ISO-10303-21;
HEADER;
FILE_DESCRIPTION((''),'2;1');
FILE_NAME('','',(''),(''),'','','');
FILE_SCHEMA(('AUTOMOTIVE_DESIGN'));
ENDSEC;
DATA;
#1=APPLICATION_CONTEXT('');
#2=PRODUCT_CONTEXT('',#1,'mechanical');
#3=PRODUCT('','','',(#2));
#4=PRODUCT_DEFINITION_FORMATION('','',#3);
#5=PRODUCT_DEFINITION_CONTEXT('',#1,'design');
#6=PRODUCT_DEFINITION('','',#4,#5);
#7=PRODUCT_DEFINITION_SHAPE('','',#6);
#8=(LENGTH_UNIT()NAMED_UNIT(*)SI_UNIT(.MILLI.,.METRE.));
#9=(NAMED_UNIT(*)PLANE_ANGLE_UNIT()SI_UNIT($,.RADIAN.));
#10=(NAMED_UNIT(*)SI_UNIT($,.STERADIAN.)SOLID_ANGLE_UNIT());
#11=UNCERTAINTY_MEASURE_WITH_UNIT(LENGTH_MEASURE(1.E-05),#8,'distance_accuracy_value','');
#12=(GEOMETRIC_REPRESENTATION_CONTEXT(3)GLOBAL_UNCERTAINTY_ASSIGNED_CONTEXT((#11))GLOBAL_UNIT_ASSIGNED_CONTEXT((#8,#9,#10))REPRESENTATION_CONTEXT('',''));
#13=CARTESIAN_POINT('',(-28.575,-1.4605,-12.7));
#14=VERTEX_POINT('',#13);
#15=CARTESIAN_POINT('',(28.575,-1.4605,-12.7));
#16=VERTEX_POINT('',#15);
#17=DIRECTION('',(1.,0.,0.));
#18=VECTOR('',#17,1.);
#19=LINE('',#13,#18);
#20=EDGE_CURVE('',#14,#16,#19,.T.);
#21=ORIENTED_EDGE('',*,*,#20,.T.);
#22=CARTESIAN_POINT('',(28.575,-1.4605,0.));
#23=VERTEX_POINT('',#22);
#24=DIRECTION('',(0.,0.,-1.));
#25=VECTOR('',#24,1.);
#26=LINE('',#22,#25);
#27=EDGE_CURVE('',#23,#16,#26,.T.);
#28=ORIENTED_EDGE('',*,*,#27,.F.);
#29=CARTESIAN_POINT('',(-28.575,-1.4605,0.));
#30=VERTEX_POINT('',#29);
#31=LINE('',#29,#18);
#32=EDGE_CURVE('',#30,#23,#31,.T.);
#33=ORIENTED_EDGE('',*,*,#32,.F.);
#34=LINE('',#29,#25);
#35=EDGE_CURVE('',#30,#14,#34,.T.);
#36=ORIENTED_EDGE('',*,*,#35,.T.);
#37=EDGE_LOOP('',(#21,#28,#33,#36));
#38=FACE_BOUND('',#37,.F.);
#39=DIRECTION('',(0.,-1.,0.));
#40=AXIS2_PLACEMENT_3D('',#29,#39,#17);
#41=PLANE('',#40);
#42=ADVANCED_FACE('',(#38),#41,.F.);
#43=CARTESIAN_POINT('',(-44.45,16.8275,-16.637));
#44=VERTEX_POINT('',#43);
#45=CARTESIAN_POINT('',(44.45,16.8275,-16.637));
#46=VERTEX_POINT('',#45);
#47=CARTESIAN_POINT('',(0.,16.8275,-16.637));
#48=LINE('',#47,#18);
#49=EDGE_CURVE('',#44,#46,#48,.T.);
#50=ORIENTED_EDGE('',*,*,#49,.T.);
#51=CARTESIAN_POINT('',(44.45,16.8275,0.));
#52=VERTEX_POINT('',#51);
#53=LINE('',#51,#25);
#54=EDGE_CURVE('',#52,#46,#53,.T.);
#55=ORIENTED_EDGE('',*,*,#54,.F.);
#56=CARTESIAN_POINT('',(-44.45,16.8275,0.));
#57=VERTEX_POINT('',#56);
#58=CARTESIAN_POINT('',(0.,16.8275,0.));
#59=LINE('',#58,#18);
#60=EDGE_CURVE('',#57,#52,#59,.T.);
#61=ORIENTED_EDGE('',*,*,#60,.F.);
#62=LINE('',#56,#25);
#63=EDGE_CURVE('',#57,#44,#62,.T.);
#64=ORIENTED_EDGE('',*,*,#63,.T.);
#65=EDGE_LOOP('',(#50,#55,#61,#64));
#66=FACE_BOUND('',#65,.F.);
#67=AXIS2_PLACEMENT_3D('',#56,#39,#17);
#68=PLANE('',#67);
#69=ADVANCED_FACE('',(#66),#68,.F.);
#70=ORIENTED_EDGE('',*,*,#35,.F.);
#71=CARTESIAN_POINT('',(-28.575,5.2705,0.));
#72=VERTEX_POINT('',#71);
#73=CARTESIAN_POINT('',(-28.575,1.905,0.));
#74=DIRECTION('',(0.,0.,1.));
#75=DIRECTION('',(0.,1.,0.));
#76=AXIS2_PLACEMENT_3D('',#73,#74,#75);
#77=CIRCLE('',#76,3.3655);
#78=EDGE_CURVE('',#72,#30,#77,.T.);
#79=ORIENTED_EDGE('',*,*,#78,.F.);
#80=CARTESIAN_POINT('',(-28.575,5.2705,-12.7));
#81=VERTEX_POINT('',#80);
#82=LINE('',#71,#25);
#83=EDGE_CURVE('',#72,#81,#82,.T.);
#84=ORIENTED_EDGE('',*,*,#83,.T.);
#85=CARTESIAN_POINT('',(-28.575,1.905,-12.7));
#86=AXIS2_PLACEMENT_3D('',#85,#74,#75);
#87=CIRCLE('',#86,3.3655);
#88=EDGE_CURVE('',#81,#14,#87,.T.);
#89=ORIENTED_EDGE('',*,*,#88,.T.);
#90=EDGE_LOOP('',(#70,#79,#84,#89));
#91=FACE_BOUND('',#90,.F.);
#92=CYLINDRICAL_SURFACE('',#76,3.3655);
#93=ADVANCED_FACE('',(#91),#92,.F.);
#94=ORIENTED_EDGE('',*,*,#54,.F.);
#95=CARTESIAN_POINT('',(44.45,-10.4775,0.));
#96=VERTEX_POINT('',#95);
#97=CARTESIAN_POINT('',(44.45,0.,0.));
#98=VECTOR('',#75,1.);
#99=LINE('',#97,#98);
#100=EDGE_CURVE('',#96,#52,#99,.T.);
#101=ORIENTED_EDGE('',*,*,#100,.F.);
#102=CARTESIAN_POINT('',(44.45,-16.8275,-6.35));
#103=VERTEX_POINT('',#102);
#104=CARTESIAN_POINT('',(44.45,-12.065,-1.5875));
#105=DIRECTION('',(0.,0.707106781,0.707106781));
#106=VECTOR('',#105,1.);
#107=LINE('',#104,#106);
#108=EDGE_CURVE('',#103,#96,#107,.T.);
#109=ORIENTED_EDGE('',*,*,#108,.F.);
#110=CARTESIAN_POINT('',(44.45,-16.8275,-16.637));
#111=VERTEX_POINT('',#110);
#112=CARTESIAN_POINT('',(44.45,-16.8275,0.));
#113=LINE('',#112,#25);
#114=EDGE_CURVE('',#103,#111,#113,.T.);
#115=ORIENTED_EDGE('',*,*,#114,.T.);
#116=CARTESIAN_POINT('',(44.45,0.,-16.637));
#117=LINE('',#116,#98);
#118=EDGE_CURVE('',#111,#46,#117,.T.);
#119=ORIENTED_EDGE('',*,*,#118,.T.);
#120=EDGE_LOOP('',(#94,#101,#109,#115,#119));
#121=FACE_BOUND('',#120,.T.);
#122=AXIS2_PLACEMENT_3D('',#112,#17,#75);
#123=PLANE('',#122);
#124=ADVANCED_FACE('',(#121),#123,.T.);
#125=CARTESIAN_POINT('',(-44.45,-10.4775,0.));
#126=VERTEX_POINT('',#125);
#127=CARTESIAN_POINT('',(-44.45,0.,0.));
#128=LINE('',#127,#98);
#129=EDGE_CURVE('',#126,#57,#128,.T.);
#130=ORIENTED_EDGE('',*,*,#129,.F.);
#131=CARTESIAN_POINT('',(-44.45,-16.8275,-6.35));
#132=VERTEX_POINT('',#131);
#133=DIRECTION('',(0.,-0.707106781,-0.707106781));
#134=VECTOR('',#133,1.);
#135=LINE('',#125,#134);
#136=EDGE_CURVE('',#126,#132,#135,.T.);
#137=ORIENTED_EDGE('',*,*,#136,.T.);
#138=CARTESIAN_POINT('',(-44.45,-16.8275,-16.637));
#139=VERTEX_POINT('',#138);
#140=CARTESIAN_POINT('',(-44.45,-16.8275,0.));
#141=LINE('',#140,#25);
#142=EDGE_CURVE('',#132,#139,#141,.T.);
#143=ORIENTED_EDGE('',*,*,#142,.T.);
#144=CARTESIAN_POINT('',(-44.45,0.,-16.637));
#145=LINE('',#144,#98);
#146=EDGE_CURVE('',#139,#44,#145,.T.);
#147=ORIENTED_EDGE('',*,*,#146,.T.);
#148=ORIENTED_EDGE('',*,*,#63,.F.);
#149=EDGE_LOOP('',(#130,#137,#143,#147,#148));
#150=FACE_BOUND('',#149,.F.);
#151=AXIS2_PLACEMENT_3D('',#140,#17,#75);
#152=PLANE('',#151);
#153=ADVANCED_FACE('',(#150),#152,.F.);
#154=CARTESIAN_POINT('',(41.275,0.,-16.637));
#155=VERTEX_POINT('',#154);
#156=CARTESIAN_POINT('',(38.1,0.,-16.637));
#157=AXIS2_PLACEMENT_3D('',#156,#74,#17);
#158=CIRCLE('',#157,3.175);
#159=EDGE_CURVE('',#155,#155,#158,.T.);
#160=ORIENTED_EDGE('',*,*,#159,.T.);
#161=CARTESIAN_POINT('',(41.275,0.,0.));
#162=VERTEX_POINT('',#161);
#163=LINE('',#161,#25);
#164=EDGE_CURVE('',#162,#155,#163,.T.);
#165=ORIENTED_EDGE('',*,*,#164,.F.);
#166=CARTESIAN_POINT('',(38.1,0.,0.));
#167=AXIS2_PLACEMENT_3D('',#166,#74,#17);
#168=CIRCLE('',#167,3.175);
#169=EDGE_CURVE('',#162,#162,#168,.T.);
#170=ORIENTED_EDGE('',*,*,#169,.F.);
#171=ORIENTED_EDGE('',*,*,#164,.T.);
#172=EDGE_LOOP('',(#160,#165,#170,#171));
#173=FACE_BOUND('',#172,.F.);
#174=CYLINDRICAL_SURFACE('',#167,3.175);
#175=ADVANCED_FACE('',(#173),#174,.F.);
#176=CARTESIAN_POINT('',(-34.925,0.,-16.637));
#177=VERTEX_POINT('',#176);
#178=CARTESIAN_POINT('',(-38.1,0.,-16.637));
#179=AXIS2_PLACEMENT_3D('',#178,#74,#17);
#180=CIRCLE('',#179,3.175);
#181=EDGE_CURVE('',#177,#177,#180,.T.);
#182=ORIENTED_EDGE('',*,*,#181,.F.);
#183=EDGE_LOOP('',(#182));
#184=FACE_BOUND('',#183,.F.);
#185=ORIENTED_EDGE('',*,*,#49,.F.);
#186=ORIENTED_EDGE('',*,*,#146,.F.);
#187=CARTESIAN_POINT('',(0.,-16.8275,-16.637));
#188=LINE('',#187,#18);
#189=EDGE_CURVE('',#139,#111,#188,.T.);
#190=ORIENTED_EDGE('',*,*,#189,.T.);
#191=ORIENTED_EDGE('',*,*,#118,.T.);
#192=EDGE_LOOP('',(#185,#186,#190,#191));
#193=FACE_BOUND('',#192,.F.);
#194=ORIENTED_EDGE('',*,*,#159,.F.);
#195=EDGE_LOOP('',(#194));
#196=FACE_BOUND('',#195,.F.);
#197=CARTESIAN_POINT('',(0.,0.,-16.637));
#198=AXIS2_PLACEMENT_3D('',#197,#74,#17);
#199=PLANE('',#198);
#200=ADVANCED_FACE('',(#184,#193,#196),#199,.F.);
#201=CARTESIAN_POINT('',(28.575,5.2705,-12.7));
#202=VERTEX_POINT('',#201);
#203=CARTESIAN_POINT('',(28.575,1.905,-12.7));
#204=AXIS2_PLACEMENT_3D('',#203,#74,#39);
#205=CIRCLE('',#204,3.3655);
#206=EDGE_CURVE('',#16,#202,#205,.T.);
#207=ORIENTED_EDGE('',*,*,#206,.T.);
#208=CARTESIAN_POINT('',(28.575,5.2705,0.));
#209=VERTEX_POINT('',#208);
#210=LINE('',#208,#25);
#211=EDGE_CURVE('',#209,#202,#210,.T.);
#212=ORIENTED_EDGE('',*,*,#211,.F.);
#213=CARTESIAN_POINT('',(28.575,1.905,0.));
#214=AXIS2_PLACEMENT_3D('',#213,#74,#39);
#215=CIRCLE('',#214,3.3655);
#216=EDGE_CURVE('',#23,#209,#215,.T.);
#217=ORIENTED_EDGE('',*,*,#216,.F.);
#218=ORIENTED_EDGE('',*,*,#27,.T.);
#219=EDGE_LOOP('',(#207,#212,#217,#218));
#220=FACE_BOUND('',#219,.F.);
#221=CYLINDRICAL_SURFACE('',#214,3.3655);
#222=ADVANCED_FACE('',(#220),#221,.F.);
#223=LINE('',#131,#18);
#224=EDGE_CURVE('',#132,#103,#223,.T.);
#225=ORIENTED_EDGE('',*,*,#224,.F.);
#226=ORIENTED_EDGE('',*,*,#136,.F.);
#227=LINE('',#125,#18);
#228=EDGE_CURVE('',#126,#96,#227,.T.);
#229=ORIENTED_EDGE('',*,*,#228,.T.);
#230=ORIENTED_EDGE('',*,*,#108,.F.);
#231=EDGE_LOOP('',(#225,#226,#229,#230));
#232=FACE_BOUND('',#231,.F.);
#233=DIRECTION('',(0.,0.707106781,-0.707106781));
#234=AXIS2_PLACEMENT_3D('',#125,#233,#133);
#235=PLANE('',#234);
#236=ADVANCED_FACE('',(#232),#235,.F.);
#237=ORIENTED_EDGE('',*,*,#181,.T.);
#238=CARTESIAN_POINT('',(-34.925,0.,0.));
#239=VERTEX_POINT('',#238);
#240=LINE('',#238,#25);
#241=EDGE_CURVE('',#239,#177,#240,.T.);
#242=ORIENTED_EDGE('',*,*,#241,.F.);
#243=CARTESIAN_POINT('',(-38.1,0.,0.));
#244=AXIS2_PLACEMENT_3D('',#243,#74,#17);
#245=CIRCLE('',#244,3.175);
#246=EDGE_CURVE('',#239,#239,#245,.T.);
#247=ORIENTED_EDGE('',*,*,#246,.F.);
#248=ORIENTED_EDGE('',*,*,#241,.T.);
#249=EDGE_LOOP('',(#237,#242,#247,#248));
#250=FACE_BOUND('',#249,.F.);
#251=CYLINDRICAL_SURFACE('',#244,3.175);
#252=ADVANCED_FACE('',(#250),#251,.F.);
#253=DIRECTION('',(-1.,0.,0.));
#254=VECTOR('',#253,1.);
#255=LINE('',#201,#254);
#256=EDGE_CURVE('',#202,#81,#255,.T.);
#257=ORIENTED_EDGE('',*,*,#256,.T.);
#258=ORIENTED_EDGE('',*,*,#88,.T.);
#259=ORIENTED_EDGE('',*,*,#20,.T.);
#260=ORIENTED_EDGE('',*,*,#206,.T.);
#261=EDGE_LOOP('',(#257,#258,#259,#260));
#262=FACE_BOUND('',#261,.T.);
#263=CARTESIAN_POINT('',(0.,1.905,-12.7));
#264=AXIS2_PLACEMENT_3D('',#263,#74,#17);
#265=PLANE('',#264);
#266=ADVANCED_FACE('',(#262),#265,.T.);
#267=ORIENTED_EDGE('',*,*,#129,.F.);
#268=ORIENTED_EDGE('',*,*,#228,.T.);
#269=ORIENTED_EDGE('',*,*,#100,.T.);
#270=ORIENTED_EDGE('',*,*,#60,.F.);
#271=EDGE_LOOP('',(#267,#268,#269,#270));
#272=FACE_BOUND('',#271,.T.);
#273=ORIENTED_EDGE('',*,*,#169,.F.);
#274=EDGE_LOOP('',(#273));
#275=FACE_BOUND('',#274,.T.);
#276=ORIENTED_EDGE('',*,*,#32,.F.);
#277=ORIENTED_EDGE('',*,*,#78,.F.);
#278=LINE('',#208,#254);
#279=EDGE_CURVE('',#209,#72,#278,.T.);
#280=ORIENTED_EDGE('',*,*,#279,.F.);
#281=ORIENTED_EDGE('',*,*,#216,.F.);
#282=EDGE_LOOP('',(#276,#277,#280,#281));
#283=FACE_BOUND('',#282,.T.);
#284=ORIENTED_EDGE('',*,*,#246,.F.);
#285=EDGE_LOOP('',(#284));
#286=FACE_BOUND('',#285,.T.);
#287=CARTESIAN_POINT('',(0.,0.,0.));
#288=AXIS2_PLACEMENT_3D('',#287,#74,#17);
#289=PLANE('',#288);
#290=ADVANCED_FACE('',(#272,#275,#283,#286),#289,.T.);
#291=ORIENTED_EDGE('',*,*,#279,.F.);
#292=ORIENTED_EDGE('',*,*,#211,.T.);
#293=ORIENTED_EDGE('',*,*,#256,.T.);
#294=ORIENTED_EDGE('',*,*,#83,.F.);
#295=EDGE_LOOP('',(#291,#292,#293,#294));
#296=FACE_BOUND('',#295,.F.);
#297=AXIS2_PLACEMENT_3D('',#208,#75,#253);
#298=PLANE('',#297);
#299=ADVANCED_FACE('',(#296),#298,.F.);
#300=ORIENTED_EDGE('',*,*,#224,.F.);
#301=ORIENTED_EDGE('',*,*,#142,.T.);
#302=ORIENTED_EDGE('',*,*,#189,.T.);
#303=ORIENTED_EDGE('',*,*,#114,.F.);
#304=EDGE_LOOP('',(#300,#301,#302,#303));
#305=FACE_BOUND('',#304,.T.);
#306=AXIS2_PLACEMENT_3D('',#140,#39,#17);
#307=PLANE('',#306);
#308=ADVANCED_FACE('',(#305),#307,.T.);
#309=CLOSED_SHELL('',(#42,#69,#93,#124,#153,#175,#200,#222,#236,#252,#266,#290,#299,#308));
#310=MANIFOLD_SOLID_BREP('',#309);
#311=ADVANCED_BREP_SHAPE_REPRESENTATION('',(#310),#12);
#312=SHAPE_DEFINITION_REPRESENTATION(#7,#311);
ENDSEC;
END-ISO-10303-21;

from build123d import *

# Parameters (mm, degrees)
F0_W     = 88.9
F0_H     = 33.655
F0_R     = 3.175
F1_DEPTH = 16.637
F3_DEPTH = 12.7
F5_DEPTH = 88.901


with BuildPart() as f1:
    # F0 (on Top) → F1 (new body)
    with BuildSketch(Plane.XY):
        Rectangle(F0_W, F0_H)
        with Locations((-38.1, 0)):
            Circle(F0_R, mode=Mode.SUBTRACT)
        with Locations((38.1, 0)):
            Circle(F0_R, mode=Mode.SUBTRACT)
    extrude(amount=-F1_DEPTH)

    # F2 (on face) → F3 (cut)
    with BuildSketch(Plane.XY):
        with BuildLine():
            Line((28.575, 5.2705), (-28.575, 5.2705))
            ThreePointArc((-28.575, 5.2705), (-31.9405, 1.905), (-28.575, -1.4605))
            Line((-28.575, -1.4605), (28.575, -1.4605))
            ThreePointArc((28.575, -1.4605), (31.9405, 1.905), (28.575, 5.2705))
        make_face()
    extrude(amount=-F3_DEPTH, mode=Mode.SUBTRACT)

    # F4 (on face) → F5 (cut, through all)
    with BuildSketch(Plane(origin=(-44.45, 0, 0), x_dir=(0, -1, 0), z_dir=(-1, 0, 0))):
        Polygon((16.8275, 0), (10.4775, 0), (16.8275, -6.35), align=None)
    extrude(amount=-F5_DEPTH, mode=Mode.SUBTRACT)


solid = f1.part
